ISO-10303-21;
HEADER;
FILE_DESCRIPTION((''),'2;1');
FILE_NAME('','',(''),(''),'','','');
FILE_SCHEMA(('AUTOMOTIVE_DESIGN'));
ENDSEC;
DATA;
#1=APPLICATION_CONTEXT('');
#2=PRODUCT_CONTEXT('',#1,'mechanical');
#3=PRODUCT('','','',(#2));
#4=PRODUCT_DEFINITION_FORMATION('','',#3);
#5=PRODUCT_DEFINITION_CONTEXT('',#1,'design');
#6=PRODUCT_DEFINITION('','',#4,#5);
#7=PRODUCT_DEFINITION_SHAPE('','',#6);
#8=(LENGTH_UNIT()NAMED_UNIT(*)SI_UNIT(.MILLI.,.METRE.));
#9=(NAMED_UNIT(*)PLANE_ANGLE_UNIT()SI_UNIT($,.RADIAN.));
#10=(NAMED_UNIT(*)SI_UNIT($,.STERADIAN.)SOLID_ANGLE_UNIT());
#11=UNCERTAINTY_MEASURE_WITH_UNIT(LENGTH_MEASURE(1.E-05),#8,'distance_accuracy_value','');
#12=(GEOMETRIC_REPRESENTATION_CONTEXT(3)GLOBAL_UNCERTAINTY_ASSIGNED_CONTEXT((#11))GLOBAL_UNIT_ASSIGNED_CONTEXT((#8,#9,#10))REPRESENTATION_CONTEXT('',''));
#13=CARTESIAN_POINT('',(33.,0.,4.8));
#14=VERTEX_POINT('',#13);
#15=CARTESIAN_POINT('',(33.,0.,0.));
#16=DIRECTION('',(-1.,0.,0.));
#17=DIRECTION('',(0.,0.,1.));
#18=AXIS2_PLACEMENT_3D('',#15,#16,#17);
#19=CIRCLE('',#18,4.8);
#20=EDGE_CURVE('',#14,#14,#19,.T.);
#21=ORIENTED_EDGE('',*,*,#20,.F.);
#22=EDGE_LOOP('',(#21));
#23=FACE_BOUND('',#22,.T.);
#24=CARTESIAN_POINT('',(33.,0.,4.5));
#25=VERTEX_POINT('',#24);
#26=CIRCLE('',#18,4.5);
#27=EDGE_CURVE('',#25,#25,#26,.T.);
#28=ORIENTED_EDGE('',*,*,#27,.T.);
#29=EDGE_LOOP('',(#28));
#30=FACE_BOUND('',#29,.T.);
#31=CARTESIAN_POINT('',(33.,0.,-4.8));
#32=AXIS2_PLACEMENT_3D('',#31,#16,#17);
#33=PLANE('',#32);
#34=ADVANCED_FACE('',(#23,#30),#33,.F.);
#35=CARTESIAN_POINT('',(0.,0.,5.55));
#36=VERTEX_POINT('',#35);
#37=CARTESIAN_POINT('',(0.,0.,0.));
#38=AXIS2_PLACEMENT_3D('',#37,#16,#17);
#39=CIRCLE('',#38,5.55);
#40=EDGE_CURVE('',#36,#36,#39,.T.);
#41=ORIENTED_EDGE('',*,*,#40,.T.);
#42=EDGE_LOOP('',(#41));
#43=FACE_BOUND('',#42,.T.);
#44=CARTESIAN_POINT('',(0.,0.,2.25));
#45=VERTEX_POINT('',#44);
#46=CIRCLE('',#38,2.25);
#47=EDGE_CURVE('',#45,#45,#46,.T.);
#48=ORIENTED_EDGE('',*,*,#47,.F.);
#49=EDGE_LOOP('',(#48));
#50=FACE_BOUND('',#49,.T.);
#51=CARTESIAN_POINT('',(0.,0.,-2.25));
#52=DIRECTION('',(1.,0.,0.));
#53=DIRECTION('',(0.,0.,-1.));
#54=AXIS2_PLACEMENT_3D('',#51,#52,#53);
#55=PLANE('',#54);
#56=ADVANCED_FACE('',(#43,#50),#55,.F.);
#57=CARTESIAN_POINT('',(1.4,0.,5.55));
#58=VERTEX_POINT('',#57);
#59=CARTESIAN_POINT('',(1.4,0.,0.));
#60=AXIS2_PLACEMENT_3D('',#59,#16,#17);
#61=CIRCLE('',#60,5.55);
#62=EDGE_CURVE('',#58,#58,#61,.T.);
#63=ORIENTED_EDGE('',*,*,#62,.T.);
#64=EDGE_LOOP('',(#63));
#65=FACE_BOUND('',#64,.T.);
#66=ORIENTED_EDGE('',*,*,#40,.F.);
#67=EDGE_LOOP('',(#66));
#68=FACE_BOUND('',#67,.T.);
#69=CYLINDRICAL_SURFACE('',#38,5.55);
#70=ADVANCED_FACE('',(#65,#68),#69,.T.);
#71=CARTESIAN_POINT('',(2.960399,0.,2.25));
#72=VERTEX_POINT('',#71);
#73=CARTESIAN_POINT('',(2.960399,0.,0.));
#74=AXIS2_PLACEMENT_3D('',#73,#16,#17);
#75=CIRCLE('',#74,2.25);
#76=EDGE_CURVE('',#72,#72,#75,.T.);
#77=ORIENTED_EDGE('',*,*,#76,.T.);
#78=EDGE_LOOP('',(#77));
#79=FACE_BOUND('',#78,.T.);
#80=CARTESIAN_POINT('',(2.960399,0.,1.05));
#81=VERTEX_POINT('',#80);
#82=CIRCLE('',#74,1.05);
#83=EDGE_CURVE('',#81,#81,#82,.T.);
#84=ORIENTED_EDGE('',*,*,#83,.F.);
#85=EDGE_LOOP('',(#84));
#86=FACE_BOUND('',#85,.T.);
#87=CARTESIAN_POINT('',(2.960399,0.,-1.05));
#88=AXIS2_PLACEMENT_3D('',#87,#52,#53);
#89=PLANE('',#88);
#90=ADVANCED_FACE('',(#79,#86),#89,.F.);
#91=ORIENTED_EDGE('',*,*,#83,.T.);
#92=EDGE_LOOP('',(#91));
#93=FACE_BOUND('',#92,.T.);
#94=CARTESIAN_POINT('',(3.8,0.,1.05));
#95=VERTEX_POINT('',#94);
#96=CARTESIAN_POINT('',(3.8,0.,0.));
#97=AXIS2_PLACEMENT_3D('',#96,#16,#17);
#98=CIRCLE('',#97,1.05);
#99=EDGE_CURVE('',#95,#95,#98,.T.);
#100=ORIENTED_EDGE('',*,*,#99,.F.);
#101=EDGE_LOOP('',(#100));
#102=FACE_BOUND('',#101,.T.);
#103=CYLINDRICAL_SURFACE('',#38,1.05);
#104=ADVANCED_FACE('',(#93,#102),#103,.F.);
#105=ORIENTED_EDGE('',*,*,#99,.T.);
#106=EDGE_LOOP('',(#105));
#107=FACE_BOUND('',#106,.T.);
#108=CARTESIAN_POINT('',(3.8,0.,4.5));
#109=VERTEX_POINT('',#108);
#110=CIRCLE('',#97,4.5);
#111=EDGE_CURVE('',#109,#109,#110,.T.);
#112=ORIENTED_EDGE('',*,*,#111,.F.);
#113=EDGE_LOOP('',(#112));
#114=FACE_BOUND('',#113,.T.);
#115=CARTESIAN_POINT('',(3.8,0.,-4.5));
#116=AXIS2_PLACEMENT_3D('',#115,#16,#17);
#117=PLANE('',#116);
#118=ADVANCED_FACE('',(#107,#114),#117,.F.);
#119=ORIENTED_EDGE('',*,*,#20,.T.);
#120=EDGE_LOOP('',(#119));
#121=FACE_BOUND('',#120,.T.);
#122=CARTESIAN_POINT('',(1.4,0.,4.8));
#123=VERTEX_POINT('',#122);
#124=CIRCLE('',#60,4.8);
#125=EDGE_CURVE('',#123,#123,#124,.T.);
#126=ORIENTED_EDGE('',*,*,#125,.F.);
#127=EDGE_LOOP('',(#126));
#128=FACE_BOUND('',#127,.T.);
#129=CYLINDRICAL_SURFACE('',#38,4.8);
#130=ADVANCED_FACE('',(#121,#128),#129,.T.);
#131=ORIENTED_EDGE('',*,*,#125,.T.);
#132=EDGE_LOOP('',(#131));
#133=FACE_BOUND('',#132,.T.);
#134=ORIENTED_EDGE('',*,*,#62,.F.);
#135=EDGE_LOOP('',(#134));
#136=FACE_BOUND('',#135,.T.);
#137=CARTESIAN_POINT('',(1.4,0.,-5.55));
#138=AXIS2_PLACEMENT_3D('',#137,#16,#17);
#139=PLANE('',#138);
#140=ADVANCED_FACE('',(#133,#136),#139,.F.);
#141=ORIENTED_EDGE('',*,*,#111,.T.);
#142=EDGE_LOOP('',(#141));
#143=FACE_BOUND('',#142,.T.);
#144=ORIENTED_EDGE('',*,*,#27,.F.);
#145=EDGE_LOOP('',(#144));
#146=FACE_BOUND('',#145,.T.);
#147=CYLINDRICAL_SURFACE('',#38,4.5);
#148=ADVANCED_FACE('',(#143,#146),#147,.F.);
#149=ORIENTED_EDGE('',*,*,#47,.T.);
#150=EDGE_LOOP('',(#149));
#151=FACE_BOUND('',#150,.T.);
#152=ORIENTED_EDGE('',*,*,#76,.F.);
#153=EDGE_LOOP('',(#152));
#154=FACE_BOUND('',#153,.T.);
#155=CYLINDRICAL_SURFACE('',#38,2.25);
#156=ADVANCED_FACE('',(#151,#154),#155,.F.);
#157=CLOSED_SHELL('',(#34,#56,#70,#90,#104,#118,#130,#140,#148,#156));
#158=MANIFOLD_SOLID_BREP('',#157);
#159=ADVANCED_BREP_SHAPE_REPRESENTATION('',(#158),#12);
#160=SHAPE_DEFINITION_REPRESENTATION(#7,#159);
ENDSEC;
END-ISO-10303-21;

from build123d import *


with BuildPart() as part:
    # Esboço1 → Revolução1 (revolve)
    with BuildSketch(Plane(origin=(0, 0, 0), x_dir=(1, 0, 0), z_dir=(0, 1, 0)), mode=Mode.PRIVATE) as revolu_o1_sk:
        Polygon((3.8, 1.05), (2.960398706, 1.05), (2.960398706, 2.25), (0, 2.25), (0, 5.55), (1.4, 5.55), (1.4, 4.8), (33, 4.8), (33, 4.5), (3.8, 4.5), align=None)
    revolve(revolu_o1_sk.sketch.rotate(Axis((0, 0, 0), (1, 0, 0)), 180), axis=Axis((0, 0, 0), (1, 0, 0)))


solid = part.part
